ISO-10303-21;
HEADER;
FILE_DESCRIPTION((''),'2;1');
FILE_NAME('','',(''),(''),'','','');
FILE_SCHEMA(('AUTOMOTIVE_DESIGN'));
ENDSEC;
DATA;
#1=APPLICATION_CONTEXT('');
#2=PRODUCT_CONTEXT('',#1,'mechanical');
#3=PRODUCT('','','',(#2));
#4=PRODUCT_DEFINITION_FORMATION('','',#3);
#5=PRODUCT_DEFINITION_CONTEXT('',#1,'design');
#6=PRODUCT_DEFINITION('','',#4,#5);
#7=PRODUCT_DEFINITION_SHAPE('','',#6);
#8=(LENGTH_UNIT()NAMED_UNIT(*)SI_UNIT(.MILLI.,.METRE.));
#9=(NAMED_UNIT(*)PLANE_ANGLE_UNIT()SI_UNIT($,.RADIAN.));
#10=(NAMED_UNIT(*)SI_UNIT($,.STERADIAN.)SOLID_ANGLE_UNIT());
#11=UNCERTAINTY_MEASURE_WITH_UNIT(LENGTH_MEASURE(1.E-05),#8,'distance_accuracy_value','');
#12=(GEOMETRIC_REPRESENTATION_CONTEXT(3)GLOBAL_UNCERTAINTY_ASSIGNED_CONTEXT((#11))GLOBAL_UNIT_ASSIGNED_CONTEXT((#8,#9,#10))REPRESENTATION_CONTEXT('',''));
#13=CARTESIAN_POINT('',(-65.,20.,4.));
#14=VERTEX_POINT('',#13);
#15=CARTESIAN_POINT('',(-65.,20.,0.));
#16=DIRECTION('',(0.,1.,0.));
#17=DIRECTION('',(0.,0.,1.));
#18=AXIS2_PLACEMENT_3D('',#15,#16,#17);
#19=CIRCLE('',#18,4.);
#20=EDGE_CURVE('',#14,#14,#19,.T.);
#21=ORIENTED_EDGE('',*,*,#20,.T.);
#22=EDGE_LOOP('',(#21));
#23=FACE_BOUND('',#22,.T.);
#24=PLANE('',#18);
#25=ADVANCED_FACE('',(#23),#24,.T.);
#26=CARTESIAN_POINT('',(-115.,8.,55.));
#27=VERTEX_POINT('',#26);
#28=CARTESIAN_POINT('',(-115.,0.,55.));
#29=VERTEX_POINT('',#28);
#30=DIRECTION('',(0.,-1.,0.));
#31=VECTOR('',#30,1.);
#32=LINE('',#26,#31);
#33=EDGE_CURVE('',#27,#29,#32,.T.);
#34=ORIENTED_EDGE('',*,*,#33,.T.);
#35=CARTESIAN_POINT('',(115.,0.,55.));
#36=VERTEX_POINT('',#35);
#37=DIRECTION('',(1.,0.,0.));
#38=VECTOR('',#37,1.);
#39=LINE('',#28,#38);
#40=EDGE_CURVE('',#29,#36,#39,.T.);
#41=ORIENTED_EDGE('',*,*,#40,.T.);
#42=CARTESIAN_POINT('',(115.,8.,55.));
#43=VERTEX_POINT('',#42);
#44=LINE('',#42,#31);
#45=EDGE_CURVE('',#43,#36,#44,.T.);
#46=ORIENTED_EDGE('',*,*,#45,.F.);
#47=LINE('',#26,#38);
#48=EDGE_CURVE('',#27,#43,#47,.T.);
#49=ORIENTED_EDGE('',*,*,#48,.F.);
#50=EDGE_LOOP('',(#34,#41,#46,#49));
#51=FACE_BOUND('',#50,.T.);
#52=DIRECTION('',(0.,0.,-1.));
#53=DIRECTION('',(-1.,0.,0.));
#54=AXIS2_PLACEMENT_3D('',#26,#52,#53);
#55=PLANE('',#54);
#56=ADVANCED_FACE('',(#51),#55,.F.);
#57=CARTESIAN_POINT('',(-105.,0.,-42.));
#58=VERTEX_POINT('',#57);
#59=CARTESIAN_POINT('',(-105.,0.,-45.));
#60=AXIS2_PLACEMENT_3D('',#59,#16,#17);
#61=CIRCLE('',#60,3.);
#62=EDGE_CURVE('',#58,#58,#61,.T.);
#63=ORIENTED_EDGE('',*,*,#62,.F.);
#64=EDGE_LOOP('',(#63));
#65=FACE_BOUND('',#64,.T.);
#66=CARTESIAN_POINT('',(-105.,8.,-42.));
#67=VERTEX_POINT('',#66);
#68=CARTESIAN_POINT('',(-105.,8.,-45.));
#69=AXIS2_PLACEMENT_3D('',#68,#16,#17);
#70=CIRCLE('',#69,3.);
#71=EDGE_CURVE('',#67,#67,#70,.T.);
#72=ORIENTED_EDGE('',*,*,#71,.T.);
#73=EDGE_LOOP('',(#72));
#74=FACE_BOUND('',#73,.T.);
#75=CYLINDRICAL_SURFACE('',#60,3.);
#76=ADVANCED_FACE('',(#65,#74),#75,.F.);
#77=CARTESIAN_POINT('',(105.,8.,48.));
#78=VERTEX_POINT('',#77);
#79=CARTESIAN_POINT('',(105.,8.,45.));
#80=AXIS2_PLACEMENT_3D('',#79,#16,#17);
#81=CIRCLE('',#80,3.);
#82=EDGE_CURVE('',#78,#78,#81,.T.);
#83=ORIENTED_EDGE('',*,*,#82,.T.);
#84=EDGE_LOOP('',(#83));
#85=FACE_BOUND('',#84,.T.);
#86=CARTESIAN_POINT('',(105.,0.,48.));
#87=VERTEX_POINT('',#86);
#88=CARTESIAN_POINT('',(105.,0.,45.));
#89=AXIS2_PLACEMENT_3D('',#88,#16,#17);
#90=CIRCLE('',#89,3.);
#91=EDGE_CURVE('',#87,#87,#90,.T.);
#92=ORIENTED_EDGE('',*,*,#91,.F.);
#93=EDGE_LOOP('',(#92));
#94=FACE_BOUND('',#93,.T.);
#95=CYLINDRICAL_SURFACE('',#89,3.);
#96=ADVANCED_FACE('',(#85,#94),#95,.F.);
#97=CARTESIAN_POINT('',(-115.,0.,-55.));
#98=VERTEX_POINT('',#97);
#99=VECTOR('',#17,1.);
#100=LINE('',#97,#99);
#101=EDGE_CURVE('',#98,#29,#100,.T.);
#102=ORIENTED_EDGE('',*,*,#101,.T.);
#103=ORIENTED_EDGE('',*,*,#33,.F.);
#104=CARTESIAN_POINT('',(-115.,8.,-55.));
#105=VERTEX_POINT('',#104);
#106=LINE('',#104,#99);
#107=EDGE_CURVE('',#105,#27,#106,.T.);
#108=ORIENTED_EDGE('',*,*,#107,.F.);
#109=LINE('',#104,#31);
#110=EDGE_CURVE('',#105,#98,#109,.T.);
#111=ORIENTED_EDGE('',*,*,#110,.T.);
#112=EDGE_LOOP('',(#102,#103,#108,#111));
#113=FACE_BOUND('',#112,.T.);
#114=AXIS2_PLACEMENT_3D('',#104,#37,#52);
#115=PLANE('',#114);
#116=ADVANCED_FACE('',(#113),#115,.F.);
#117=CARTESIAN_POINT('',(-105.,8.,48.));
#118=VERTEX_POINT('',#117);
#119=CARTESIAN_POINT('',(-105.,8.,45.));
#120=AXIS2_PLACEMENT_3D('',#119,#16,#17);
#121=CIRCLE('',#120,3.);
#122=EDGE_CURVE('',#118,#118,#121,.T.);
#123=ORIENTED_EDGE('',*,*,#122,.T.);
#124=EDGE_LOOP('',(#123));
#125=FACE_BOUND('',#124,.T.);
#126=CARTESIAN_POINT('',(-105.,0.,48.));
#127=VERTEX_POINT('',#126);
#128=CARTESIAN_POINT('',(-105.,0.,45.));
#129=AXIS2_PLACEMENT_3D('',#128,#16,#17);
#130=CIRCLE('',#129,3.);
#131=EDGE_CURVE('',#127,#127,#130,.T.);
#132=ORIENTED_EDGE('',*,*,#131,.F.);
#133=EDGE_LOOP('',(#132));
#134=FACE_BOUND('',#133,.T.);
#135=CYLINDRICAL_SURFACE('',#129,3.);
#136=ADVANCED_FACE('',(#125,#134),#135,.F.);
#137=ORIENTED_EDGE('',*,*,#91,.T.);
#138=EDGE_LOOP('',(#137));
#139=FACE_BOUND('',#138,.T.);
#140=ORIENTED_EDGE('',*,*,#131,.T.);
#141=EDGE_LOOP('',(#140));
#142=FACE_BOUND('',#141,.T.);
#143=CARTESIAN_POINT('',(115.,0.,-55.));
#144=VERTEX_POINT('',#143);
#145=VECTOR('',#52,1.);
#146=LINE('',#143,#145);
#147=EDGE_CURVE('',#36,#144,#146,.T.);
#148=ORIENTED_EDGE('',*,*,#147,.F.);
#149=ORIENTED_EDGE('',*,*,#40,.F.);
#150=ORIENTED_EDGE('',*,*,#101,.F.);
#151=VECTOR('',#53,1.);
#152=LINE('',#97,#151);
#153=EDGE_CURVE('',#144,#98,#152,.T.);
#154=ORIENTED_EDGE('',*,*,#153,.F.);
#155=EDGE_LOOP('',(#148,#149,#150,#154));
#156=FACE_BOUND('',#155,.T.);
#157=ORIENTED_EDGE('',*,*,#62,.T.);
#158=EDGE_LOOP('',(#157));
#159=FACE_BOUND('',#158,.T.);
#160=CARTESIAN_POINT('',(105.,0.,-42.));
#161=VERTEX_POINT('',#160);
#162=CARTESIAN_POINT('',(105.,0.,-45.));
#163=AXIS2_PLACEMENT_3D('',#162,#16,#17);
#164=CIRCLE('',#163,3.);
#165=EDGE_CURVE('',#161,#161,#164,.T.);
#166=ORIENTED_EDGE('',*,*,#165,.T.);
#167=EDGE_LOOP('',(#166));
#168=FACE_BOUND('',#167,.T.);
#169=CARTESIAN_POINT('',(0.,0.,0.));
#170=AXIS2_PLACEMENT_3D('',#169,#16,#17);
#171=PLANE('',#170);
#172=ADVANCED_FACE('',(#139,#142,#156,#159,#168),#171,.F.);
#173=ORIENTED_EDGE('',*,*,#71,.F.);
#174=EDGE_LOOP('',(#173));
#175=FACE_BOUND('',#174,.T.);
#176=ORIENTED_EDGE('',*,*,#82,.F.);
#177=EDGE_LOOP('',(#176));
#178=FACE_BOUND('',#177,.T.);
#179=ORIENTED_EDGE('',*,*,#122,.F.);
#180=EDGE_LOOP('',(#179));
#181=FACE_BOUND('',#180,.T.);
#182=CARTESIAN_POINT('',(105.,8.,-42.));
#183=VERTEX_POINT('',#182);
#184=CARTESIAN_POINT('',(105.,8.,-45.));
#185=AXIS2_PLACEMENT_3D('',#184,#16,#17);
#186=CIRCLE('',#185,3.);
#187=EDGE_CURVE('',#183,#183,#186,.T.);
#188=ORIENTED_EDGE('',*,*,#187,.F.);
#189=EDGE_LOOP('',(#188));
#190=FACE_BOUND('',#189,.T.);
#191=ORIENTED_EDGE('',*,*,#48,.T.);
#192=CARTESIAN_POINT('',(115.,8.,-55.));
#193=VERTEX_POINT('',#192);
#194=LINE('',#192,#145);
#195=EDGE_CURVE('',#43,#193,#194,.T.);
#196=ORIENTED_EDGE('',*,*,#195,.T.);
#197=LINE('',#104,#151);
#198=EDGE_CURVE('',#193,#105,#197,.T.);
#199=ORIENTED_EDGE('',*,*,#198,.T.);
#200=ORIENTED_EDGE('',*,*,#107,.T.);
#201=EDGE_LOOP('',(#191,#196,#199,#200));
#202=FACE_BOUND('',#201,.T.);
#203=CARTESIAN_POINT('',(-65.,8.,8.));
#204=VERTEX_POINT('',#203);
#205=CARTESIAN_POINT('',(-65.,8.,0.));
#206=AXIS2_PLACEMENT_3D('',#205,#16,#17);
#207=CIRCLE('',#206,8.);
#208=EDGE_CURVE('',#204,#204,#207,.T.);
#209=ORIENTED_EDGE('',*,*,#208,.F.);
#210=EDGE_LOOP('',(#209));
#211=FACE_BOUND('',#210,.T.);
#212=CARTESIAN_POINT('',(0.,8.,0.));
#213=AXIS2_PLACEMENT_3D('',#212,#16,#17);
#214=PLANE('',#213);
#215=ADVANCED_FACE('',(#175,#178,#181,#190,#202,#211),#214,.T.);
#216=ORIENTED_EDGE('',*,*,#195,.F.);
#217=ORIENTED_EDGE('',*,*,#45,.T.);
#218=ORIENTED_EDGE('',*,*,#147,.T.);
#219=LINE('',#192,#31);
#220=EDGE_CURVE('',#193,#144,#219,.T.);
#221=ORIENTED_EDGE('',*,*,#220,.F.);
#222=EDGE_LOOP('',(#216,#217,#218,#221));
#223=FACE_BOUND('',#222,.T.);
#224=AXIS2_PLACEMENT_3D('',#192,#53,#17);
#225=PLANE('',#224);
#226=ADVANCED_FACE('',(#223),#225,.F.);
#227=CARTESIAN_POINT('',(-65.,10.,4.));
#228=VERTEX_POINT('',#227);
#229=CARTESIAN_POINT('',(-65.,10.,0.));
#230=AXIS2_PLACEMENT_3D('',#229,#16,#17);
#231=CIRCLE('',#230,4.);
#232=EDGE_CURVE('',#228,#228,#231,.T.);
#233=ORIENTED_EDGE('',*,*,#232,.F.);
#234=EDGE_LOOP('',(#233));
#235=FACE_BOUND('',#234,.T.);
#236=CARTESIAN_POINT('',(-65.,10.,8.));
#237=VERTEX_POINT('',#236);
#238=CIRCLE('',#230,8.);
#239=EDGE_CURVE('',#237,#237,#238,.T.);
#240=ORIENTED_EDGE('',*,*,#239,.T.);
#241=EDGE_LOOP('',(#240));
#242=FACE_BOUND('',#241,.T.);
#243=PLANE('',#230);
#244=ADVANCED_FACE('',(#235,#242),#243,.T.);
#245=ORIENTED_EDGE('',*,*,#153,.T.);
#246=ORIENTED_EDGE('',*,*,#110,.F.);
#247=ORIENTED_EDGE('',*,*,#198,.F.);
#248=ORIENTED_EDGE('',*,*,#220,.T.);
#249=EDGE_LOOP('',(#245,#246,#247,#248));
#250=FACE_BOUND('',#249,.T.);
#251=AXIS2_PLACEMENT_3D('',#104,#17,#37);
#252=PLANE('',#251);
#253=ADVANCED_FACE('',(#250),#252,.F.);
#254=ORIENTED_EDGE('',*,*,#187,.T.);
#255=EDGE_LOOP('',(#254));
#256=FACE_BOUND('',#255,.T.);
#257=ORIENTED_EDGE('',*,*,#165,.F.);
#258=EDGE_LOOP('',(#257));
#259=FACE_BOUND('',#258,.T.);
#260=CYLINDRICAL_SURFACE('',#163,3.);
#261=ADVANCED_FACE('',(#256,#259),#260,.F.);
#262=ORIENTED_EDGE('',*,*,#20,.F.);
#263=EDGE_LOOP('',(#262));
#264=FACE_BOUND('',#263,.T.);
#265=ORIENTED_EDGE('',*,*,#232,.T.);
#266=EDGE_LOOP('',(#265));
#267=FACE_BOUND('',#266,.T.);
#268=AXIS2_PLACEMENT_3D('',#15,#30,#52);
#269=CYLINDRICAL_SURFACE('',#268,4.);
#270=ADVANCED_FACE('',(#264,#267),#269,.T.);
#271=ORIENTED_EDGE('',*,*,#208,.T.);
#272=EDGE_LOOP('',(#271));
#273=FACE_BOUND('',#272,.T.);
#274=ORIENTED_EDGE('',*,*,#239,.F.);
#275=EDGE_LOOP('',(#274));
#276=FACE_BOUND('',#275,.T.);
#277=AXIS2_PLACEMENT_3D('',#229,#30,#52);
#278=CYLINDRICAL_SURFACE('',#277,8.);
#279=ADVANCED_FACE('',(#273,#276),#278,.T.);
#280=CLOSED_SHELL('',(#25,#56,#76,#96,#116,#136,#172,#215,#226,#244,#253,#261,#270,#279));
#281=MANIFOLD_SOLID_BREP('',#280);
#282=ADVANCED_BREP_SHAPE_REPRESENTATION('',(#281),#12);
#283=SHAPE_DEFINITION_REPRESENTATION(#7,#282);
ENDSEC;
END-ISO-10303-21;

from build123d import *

# Parameters (mm, degrees)
SKETCH_1_W          = 230
SKETCH_1_H          = 110
EXTRUDE_1_DEPTH     = 8
SKETCH_2_R          = 8
EXTRUDE_2_DEPTH     = 2
SKETCH_3_R          = 4
EXTRUDE_3_DEPTH     = 10
SKETCH_4_R          = 3
CUT_EXTRUDE_1_DEPTH = 129.039056541


with BuildPart() as part:
    # 草图1 → 凸台-拉伸1 (new body)
    with BuildSketch(Plane(origin=(0, 0, 0), x_dir=(1, 0, 0), z_dir=(0, 1, 0))):
        Rectangle(SKETCH_1_W, SKETCH_1_H)
    extrude(amount=EXTRUDE_1_DEPTH)

    # 草图2 → 凸台-拉伸2 (add)
    with BuildSketch(Plane(origin=(0, 8, 0), x_dir=(1, 0, 0), z_dir=(0, 1, 0))):
        with Locations(Location((-65, 0, 0), (0, 0, 270))):
            Circle(SKETCH_2_R)
    extrude(amount=EXTRUDE_2_DEPTH)

    # 草图3 → 凸台-拉伸3 (add)
    with BuildSketch(Plane(origin=(0, 10, 0), x_dir=(1, 0, 0), z_dir=(0, 1, 0))):
        with Locations(Location((-65, 0, 0), (0, 0, 270))):
            Circle(SKETCH_3_R)
    extrude(amount=EXTRUDE_3_DEPTH)

    # 草图4 → 切除-拉伸1 (cut, through all)
    with BuildSketch(Plane(origin=(0, 8, 0), x_dir=(1, 0, 0), z_dir=(0, 1, 0))):
        with Locations(Location((-105, 45, 0), (0, 0, 270))):
            Circle(SKETCH_4_R)
        with Locations(Location((-105, -45, 0), (0, 0, 270))):
            Circle(SKETCH_4_R)
        with Locations(Location((105, 45, 0), (0, 0, 270))):
            Circle(SKETCH_4_R)
        with Locations(Location((105, -45, 0), (0, 0, 270))):
            Circle(SKETCH_4_R)
    extrude(amount=-CUT_EXTRUDE_1_DEPTH, mode=Mode.SUBTRACT)


solid = part.part
